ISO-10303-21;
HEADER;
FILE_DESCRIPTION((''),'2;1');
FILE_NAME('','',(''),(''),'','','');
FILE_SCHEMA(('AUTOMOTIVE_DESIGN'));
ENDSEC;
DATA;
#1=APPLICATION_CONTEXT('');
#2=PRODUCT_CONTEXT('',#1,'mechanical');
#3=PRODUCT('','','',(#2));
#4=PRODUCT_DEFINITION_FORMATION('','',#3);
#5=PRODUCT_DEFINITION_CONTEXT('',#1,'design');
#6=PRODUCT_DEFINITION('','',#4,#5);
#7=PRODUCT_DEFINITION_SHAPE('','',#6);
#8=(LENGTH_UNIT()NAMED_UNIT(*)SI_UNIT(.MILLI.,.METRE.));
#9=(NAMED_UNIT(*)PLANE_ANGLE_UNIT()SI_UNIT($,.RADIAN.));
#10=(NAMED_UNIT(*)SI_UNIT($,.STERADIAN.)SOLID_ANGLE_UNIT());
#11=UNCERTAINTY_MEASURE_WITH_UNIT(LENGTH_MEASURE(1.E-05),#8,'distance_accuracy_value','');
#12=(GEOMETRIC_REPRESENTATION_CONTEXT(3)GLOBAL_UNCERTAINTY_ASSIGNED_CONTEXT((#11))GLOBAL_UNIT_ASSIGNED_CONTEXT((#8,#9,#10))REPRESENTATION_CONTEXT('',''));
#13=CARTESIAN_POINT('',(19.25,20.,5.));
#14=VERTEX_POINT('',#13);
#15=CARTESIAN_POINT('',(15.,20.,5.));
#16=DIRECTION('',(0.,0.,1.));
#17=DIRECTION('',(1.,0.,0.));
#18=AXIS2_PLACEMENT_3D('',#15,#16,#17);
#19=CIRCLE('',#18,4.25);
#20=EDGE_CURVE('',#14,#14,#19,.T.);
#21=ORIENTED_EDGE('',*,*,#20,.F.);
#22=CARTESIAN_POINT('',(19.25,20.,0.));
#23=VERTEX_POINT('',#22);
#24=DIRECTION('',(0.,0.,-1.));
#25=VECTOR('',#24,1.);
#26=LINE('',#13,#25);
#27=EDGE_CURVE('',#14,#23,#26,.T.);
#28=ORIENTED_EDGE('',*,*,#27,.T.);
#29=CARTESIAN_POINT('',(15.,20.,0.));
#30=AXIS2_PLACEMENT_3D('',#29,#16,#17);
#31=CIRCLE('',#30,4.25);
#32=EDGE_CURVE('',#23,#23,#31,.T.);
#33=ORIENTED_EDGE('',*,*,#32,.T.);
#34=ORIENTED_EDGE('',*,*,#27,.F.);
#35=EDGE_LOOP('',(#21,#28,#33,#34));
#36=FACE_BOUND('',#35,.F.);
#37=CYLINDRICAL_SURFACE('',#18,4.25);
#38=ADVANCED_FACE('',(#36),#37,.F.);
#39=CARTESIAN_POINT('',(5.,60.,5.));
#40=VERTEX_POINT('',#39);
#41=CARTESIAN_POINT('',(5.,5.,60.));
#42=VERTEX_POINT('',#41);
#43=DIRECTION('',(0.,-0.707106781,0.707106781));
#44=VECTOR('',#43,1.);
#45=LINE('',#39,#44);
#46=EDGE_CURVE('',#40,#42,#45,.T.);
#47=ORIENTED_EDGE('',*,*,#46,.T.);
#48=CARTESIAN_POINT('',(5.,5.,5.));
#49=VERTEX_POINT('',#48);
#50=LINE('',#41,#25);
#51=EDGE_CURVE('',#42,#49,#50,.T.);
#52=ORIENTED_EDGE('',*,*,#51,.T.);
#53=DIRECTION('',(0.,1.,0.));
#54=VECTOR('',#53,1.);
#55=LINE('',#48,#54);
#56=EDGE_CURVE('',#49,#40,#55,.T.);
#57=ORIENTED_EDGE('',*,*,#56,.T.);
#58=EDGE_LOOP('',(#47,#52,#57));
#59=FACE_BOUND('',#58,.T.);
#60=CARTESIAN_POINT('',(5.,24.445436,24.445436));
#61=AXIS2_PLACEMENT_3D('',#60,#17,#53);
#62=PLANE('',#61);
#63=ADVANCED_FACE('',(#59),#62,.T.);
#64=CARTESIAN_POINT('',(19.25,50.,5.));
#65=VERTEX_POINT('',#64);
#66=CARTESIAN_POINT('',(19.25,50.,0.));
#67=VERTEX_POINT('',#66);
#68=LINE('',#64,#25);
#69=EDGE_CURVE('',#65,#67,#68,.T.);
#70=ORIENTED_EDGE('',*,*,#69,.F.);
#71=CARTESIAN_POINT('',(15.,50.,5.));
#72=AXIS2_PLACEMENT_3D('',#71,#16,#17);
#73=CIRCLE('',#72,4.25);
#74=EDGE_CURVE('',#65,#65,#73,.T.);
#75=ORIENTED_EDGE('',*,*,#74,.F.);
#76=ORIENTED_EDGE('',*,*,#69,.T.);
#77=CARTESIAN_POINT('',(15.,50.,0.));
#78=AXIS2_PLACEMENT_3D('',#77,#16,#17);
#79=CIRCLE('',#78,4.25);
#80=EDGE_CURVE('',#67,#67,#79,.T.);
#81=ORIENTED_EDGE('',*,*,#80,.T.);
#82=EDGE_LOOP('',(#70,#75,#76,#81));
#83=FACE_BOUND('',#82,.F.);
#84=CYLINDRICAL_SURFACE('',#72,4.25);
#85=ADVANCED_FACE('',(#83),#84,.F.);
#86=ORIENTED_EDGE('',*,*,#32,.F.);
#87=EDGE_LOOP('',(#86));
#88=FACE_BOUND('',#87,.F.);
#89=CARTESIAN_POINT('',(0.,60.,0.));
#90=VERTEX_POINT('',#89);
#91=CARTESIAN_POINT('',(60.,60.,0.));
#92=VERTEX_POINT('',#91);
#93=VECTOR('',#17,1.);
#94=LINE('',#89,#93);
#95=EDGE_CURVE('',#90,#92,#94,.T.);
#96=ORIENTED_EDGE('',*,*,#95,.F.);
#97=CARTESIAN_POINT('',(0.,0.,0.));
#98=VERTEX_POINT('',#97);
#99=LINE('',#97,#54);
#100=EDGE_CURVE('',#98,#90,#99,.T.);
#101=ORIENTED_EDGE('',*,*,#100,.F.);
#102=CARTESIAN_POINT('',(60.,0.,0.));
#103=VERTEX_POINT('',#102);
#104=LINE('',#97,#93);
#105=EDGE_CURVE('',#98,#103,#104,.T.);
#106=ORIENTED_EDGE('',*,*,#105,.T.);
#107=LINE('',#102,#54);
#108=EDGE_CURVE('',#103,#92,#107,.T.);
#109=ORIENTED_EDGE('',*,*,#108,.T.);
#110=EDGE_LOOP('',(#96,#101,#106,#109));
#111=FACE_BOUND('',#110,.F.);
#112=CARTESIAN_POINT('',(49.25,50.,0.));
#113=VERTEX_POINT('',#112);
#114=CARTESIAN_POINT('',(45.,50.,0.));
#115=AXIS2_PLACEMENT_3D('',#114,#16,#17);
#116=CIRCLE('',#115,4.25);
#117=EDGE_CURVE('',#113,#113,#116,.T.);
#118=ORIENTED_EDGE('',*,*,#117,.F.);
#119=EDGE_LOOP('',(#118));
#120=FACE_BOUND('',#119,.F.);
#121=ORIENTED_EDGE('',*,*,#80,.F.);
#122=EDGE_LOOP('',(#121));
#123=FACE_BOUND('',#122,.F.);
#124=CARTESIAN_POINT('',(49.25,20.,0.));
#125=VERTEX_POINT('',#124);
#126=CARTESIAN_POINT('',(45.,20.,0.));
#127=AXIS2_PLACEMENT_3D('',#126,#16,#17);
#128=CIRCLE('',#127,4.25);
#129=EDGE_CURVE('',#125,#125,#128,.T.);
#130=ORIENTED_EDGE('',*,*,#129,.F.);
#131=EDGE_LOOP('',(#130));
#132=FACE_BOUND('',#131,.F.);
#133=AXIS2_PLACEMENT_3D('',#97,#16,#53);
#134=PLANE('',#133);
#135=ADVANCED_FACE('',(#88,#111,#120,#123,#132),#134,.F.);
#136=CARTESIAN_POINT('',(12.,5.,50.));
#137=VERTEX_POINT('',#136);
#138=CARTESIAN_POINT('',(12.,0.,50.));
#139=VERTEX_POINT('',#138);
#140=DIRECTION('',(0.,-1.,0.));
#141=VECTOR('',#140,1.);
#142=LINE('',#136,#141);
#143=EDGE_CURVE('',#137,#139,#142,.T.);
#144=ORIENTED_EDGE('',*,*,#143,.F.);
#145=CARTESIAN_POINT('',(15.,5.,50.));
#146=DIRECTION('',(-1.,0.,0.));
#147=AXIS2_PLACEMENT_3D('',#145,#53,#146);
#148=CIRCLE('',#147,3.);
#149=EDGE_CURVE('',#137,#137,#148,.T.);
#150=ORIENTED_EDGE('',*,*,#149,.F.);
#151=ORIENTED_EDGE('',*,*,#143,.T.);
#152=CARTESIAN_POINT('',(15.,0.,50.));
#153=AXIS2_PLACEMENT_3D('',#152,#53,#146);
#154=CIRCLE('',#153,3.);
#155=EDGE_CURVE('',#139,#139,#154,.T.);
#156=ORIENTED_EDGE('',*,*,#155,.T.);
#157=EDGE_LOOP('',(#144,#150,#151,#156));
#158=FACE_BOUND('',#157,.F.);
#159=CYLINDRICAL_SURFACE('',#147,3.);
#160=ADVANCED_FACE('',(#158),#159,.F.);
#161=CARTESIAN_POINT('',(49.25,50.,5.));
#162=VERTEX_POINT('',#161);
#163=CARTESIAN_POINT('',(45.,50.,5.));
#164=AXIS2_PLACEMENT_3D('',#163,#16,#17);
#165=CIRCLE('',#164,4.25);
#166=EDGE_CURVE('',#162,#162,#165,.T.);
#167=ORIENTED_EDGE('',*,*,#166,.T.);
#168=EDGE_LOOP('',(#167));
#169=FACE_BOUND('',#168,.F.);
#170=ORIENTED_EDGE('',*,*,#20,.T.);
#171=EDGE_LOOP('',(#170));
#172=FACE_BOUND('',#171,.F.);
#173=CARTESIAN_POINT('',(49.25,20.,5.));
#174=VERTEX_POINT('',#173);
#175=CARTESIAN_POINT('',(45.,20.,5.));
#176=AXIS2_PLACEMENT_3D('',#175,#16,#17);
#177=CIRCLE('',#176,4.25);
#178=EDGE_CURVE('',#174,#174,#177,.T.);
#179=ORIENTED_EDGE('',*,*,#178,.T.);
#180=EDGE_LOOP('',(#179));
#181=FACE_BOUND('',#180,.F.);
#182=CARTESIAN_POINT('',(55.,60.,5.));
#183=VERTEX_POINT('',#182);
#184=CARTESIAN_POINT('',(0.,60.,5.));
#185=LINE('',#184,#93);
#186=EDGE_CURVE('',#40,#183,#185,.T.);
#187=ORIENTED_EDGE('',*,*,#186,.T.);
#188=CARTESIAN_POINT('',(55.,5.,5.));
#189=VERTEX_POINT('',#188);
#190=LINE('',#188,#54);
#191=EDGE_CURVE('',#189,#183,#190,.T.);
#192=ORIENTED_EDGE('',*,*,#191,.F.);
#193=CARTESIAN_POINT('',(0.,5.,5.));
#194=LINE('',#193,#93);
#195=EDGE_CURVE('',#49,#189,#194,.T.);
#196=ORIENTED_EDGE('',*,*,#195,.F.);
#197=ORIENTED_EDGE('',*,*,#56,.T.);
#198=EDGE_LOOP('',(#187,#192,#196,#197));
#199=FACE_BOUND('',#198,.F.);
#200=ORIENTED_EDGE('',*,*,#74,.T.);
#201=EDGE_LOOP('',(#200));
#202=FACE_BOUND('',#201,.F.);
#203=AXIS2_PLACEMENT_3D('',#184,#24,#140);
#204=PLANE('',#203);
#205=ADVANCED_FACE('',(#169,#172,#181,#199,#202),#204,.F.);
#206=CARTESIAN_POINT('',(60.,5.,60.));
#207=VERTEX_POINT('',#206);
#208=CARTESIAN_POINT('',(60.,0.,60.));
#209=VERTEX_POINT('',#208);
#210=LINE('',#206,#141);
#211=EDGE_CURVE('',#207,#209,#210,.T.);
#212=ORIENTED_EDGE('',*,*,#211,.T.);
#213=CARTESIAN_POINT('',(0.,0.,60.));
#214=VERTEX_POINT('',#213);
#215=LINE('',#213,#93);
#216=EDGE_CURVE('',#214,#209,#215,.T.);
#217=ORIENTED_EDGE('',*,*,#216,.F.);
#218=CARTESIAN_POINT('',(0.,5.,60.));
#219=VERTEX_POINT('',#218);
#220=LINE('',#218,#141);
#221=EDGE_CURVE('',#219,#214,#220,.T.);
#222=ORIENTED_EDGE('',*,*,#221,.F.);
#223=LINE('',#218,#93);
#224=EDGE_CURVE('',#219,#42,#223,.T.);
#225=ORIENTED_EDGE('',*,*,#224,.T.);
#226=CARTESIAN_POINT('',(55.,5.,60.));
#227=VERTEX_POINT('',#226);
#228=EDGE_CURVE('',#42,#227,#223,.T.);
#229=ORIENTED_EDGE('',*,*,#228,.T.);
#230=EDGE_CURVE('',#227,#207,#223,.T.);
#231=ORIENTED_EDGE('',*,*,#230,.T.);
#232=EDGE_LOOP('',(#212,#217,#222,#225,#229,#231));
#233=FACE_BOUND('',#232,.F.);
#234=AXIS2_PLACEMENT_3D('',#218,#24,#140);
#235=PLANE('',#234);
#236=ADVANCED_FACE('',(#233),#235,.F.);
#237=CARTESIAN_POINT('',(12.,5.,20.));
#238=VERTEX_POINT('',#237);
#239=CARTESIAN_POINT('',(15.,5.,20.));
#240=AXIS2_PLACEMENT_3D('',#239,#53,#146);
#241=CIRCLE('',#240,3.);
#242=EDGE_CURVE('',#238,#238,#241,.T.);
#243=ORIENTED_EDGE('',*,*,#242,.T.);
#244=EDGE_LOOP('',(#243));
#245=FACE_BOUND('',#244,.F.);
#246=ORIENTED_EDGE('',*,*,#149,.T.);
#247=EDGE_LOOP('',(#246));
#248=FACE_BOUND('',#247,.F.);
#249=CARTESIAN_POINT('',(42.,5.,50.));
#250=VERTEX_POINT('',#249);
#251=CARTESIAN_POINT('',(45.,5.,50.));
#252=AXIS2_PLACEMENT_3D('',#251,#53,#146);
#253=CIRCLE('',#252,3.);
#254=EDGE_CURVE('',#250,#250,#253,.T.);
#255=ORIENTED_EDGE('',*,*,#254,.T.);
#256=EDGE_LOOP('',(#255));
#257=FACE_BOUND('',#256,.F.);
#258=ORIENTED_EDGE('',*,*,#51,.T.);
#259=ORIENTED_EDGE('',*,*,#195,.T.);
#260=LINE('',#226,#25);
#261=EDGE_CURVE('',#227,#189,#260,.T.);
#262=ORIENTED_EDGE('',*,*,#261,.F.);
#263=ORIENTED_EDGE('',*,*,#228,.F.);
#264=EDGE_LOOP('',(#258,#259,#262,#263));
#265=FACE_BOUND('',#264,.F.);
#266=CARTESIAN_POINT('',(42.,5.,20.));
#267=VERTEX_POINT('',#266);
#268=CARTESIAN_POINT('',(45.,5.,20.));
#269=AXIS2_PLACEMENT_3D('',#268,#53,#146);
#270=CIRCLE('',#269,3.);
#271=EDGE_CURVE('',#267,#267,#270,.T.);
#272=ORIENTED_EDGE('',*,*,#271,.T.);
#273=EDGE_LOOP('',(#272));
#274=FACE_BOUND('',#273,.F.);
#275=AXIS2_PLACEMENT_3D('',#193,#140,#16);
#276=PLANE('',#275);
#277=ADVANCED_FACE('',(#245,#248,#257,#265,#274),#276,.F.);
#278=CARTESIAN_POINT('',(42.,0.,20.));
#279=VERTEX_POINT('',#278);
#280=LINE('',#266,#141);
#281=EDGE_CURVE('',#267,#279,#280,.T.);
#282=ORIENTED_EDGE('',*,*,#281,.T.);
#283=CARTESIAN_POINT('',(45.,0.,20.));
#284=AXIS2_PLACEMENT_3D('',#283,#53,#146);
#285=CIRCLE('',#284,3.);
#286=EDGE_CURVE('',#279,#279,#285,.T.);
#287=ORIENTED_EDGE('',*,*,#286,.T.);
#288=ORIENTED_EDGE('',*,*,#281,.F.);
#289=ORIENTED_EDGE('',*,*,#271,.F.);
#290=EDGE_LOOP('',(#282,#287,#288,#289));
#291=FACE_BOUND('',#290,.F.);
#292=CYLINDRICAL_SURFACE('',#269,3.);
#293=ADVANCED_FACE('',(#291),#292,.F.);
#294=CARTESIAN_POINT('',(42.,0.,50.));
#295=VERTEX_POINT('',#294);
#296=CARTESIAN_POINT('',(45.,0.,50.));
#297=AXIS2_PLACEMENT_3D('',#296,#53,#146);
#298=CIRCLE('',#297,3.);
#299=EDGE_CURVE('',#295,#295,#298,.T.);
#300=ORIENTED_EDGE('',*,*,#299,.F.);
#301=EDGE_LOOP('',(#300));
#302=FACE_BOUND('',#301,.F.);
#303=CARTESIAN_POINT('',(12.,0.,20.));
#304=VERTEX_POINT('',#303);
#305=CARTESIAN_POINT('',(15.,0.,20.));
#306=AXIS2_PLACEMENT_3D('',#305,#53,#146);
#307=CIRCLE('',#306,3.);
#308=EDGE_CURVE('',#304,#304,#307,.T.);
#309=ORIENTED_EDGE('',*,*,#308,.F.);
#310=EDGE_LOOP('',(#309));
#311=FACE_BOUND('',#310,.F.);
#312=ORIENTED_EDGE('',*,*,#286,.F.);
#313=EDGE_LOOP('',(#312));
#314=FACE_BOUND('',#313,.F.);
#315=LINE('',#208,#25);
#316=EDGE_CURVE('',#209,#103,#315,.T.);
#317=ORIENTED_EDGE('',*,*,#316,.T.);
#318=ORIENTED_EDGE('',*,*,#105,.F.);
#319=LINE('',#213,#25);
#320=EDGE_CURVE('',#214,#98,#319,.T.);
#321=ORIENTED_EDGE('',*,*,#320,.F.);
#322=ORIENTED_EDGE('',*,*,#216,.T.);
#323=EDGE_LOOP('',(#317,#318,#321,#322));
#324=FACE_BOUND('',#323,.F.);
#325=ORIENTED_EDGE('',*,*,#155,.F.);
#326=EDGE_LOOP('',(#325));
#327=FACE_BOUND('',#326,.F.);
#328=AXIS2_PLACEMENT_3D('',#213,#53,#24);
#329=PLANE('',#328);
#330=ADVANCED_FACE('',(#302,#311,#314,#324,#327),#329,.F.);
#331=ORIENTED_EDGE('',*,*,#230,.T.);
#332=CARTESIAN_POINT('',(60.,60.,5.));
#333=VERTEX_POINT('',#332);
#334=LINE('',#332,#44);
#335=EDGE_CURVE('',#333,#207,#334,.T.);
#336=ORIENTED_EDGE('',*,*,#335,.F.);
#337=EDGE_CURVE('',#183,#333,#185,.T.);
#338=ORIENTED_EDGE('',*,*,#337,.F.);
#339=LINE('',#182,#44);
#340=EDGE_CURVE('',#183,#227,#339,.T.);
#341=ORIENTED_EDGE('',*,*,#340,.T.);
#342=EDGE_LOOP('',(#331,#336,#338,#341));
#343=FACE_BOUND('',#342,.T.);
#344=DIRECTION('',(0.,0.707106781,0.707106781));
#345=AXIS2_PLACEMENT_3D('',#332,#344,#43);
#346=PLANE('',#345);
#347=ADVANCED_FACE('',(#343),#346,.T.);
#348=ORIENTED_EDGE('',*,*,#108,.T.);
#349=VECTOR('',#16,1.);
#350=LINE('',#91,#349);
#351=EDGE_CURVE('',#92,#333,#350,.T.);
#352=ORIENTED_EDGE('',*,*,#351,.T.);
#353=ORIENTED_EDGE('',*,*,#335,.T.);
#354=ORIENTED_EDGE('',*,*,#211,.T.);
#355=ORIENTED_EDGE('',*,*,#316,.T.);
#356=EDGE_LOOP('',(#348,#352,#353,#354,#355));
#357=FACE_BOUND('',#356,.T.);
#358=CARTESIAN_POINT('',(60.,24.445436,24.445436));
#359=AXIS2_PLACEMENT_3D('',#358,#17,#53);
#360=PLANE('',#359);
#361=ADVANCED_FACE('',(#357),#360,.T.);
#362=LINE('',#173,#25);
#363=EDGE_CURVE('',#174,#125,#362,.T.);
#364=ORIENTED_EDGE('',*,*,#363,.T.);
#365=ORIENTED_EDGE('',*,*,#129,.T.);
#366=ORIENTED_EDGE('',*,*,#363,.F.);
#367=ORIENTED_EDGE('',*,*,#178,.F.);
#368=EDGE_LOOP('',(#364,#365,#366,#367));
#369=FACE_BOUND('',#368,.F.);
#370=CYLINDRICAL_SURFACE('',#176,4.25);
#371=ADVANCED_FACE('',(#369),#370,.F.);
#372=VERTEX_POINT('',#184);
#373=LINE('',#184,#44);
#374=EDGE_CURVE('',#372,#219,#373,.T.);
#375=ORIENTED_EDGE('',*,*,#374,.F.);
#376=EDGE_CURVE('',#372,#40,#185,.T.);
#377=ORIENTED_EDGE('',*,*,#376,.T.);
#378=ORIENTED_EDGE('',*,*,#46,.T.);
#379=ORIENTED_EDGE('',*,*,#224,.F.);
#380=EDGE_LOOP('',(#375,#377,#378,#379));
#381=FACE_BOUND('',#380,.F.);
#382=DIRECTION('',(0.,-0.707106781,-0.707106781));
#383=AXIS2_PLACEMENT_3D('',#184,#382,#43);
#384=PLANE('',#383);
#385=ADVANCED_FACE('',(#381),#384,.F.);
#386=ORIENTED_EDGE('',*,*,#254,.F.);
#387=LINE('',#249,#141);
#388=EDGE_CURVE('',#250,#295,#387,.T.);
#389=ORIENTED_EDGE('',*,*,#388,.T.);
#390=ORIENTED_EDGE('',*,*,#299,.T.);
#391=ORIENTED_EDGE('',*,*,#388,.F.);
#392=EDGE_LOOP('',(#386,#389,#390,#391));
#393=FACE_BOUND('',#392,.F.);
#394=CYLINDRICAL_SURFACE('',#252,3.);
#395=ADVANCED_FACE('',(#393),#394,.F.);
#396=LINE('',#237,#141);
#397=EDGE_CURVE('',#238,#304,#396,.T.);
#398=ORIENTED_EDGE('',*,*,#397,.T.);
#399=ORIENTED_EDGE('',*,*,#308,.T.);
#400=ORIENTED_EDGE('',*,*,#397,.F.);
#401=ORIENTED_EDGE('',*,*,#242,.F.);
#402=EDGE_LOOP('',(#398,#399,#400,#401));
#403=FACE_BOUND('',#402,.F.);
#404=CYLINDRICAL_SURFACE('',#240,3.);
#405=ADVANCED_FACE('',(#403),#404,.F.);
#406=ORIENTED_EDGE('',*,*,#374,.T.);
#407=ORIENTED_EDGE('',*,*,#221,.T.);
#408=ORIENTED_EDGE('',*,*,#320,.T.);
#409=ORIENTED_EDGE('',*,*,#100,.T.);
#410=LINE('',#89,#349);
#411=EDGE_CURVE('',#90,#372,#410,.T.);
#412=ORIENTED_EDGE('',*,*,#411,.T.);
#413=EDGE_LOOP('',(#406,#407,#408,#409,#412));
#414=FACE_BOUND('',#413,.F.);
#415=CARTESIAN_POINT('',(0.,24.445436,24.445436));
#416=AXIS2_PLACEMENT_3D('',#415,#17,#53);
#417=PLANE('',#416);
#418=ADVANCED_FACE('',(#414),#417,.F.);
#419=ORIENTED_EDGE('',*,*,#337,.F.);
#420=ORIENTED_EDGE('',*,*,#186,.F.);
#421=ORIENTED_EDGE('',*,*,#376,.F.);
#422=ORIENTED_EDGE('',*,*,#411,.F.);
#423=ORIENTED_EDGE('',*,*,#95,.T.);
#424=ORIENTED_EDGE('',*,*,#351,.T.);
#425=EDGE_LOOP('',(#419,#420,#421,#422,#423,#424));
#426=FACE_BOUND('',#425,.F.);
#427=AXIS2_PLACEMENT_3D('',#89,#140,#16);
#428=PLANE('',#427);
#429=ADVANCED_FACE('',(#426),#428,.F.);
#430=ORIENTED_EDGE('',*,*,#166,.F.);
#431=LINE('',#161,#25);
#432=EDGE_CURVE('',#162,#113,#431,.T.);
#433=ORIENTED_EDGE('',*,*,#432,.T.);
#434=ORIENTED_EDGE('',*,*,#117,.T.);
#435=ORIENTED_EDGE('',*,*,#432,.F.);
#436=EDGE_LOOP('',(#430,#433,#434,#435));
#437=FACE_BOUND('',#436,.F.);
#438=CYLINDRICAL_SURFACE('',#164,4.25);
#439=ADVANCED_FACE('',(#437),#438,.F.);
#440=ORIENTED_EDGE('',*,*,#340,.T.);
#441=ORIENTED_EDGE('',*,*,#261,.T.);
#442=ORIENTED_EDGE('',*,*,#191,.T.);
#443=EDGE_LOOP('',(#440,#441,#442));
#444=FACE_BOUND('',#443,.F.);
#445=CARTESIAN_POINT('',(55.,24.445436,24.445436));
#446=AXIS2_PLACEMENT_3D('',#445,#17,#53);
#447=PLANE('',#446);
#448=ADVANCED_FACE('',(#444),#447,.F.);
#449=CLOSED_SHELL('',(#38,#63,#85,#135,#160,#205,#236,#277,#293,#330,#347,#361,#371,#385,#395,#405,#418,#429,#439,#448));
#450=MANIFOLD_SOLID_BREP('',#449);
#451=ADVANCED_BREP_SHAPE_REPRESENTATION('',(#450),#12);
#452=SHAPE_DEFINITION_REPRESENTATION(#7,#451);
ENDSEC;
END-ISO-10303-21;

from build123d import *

# Parameters (mm, degrees)
F1_DEPTH  = 60
F3_DEPTH  = 5
F6_DEPTH  = 5
F7_R      = 3
F8_DEPTH  = 5.001
F9_R      = 4.25
F10_DEPTH = 5.001


with BuildPart() as f1:
    # F0 (on Right) → F1 (new body)
    with BuildSketch(Plane.YZ):
        Polygon((5, 60), (0, 60), (0, 0), (60, 0), (60, 5), (5, 5), align=None)
    extrude(amount=F1_DEPTH)

    # F2 (on Right) → F3 (join)
    with BuildSketch(Plane.YZ):
        Polygon((60, 5), (5, 60), (5, 5), align=None)
    extrude(amount=F3_DEPTH)

    # F5 (on offset) → F6 (join)
    with BuildSketch(Plane.YZ.offset(60)):
        Polygon((60, 5), (5, 60), (5, 5), align=None)
    extrude(amount=-F6_DEPTH)

    # F7 (on face) → F8 (cut, through all)
    with BuildSketch(Plane(origin=(0, 5, 0), x_dir=(-1, 0, 0), z_dir=(0, 1, 0))):
        with Locations((-15, 50)):
            Circle(F7_R)
        with Locations((-45, 50)):
            Circle(F7_R)
        with Locations((-15, 20)):
            Circle(F7_R)
        with Locations((-45, 20)):
            Circle(F7_R)
    extrude(amount=-F8_DEPTH, mode=Mode.SUBTRACT)

    # F9 (on face) → F10 (cut, through all)
    with BuildSketch(Plane.XY.offset(5)):
        with Locations((45, 50)):
            Circle(F9_R)
        with Locations((15, 50)):
            Circle(F9_R)
        with Locations((15, 20)):
            Circle(F9_R)
        with Locations((45, 20)):
            Circle(F9_R)
    extrude(amount=-F10_DEPTH, mode=Mode.SUBTRACT)


solid = f1.part
